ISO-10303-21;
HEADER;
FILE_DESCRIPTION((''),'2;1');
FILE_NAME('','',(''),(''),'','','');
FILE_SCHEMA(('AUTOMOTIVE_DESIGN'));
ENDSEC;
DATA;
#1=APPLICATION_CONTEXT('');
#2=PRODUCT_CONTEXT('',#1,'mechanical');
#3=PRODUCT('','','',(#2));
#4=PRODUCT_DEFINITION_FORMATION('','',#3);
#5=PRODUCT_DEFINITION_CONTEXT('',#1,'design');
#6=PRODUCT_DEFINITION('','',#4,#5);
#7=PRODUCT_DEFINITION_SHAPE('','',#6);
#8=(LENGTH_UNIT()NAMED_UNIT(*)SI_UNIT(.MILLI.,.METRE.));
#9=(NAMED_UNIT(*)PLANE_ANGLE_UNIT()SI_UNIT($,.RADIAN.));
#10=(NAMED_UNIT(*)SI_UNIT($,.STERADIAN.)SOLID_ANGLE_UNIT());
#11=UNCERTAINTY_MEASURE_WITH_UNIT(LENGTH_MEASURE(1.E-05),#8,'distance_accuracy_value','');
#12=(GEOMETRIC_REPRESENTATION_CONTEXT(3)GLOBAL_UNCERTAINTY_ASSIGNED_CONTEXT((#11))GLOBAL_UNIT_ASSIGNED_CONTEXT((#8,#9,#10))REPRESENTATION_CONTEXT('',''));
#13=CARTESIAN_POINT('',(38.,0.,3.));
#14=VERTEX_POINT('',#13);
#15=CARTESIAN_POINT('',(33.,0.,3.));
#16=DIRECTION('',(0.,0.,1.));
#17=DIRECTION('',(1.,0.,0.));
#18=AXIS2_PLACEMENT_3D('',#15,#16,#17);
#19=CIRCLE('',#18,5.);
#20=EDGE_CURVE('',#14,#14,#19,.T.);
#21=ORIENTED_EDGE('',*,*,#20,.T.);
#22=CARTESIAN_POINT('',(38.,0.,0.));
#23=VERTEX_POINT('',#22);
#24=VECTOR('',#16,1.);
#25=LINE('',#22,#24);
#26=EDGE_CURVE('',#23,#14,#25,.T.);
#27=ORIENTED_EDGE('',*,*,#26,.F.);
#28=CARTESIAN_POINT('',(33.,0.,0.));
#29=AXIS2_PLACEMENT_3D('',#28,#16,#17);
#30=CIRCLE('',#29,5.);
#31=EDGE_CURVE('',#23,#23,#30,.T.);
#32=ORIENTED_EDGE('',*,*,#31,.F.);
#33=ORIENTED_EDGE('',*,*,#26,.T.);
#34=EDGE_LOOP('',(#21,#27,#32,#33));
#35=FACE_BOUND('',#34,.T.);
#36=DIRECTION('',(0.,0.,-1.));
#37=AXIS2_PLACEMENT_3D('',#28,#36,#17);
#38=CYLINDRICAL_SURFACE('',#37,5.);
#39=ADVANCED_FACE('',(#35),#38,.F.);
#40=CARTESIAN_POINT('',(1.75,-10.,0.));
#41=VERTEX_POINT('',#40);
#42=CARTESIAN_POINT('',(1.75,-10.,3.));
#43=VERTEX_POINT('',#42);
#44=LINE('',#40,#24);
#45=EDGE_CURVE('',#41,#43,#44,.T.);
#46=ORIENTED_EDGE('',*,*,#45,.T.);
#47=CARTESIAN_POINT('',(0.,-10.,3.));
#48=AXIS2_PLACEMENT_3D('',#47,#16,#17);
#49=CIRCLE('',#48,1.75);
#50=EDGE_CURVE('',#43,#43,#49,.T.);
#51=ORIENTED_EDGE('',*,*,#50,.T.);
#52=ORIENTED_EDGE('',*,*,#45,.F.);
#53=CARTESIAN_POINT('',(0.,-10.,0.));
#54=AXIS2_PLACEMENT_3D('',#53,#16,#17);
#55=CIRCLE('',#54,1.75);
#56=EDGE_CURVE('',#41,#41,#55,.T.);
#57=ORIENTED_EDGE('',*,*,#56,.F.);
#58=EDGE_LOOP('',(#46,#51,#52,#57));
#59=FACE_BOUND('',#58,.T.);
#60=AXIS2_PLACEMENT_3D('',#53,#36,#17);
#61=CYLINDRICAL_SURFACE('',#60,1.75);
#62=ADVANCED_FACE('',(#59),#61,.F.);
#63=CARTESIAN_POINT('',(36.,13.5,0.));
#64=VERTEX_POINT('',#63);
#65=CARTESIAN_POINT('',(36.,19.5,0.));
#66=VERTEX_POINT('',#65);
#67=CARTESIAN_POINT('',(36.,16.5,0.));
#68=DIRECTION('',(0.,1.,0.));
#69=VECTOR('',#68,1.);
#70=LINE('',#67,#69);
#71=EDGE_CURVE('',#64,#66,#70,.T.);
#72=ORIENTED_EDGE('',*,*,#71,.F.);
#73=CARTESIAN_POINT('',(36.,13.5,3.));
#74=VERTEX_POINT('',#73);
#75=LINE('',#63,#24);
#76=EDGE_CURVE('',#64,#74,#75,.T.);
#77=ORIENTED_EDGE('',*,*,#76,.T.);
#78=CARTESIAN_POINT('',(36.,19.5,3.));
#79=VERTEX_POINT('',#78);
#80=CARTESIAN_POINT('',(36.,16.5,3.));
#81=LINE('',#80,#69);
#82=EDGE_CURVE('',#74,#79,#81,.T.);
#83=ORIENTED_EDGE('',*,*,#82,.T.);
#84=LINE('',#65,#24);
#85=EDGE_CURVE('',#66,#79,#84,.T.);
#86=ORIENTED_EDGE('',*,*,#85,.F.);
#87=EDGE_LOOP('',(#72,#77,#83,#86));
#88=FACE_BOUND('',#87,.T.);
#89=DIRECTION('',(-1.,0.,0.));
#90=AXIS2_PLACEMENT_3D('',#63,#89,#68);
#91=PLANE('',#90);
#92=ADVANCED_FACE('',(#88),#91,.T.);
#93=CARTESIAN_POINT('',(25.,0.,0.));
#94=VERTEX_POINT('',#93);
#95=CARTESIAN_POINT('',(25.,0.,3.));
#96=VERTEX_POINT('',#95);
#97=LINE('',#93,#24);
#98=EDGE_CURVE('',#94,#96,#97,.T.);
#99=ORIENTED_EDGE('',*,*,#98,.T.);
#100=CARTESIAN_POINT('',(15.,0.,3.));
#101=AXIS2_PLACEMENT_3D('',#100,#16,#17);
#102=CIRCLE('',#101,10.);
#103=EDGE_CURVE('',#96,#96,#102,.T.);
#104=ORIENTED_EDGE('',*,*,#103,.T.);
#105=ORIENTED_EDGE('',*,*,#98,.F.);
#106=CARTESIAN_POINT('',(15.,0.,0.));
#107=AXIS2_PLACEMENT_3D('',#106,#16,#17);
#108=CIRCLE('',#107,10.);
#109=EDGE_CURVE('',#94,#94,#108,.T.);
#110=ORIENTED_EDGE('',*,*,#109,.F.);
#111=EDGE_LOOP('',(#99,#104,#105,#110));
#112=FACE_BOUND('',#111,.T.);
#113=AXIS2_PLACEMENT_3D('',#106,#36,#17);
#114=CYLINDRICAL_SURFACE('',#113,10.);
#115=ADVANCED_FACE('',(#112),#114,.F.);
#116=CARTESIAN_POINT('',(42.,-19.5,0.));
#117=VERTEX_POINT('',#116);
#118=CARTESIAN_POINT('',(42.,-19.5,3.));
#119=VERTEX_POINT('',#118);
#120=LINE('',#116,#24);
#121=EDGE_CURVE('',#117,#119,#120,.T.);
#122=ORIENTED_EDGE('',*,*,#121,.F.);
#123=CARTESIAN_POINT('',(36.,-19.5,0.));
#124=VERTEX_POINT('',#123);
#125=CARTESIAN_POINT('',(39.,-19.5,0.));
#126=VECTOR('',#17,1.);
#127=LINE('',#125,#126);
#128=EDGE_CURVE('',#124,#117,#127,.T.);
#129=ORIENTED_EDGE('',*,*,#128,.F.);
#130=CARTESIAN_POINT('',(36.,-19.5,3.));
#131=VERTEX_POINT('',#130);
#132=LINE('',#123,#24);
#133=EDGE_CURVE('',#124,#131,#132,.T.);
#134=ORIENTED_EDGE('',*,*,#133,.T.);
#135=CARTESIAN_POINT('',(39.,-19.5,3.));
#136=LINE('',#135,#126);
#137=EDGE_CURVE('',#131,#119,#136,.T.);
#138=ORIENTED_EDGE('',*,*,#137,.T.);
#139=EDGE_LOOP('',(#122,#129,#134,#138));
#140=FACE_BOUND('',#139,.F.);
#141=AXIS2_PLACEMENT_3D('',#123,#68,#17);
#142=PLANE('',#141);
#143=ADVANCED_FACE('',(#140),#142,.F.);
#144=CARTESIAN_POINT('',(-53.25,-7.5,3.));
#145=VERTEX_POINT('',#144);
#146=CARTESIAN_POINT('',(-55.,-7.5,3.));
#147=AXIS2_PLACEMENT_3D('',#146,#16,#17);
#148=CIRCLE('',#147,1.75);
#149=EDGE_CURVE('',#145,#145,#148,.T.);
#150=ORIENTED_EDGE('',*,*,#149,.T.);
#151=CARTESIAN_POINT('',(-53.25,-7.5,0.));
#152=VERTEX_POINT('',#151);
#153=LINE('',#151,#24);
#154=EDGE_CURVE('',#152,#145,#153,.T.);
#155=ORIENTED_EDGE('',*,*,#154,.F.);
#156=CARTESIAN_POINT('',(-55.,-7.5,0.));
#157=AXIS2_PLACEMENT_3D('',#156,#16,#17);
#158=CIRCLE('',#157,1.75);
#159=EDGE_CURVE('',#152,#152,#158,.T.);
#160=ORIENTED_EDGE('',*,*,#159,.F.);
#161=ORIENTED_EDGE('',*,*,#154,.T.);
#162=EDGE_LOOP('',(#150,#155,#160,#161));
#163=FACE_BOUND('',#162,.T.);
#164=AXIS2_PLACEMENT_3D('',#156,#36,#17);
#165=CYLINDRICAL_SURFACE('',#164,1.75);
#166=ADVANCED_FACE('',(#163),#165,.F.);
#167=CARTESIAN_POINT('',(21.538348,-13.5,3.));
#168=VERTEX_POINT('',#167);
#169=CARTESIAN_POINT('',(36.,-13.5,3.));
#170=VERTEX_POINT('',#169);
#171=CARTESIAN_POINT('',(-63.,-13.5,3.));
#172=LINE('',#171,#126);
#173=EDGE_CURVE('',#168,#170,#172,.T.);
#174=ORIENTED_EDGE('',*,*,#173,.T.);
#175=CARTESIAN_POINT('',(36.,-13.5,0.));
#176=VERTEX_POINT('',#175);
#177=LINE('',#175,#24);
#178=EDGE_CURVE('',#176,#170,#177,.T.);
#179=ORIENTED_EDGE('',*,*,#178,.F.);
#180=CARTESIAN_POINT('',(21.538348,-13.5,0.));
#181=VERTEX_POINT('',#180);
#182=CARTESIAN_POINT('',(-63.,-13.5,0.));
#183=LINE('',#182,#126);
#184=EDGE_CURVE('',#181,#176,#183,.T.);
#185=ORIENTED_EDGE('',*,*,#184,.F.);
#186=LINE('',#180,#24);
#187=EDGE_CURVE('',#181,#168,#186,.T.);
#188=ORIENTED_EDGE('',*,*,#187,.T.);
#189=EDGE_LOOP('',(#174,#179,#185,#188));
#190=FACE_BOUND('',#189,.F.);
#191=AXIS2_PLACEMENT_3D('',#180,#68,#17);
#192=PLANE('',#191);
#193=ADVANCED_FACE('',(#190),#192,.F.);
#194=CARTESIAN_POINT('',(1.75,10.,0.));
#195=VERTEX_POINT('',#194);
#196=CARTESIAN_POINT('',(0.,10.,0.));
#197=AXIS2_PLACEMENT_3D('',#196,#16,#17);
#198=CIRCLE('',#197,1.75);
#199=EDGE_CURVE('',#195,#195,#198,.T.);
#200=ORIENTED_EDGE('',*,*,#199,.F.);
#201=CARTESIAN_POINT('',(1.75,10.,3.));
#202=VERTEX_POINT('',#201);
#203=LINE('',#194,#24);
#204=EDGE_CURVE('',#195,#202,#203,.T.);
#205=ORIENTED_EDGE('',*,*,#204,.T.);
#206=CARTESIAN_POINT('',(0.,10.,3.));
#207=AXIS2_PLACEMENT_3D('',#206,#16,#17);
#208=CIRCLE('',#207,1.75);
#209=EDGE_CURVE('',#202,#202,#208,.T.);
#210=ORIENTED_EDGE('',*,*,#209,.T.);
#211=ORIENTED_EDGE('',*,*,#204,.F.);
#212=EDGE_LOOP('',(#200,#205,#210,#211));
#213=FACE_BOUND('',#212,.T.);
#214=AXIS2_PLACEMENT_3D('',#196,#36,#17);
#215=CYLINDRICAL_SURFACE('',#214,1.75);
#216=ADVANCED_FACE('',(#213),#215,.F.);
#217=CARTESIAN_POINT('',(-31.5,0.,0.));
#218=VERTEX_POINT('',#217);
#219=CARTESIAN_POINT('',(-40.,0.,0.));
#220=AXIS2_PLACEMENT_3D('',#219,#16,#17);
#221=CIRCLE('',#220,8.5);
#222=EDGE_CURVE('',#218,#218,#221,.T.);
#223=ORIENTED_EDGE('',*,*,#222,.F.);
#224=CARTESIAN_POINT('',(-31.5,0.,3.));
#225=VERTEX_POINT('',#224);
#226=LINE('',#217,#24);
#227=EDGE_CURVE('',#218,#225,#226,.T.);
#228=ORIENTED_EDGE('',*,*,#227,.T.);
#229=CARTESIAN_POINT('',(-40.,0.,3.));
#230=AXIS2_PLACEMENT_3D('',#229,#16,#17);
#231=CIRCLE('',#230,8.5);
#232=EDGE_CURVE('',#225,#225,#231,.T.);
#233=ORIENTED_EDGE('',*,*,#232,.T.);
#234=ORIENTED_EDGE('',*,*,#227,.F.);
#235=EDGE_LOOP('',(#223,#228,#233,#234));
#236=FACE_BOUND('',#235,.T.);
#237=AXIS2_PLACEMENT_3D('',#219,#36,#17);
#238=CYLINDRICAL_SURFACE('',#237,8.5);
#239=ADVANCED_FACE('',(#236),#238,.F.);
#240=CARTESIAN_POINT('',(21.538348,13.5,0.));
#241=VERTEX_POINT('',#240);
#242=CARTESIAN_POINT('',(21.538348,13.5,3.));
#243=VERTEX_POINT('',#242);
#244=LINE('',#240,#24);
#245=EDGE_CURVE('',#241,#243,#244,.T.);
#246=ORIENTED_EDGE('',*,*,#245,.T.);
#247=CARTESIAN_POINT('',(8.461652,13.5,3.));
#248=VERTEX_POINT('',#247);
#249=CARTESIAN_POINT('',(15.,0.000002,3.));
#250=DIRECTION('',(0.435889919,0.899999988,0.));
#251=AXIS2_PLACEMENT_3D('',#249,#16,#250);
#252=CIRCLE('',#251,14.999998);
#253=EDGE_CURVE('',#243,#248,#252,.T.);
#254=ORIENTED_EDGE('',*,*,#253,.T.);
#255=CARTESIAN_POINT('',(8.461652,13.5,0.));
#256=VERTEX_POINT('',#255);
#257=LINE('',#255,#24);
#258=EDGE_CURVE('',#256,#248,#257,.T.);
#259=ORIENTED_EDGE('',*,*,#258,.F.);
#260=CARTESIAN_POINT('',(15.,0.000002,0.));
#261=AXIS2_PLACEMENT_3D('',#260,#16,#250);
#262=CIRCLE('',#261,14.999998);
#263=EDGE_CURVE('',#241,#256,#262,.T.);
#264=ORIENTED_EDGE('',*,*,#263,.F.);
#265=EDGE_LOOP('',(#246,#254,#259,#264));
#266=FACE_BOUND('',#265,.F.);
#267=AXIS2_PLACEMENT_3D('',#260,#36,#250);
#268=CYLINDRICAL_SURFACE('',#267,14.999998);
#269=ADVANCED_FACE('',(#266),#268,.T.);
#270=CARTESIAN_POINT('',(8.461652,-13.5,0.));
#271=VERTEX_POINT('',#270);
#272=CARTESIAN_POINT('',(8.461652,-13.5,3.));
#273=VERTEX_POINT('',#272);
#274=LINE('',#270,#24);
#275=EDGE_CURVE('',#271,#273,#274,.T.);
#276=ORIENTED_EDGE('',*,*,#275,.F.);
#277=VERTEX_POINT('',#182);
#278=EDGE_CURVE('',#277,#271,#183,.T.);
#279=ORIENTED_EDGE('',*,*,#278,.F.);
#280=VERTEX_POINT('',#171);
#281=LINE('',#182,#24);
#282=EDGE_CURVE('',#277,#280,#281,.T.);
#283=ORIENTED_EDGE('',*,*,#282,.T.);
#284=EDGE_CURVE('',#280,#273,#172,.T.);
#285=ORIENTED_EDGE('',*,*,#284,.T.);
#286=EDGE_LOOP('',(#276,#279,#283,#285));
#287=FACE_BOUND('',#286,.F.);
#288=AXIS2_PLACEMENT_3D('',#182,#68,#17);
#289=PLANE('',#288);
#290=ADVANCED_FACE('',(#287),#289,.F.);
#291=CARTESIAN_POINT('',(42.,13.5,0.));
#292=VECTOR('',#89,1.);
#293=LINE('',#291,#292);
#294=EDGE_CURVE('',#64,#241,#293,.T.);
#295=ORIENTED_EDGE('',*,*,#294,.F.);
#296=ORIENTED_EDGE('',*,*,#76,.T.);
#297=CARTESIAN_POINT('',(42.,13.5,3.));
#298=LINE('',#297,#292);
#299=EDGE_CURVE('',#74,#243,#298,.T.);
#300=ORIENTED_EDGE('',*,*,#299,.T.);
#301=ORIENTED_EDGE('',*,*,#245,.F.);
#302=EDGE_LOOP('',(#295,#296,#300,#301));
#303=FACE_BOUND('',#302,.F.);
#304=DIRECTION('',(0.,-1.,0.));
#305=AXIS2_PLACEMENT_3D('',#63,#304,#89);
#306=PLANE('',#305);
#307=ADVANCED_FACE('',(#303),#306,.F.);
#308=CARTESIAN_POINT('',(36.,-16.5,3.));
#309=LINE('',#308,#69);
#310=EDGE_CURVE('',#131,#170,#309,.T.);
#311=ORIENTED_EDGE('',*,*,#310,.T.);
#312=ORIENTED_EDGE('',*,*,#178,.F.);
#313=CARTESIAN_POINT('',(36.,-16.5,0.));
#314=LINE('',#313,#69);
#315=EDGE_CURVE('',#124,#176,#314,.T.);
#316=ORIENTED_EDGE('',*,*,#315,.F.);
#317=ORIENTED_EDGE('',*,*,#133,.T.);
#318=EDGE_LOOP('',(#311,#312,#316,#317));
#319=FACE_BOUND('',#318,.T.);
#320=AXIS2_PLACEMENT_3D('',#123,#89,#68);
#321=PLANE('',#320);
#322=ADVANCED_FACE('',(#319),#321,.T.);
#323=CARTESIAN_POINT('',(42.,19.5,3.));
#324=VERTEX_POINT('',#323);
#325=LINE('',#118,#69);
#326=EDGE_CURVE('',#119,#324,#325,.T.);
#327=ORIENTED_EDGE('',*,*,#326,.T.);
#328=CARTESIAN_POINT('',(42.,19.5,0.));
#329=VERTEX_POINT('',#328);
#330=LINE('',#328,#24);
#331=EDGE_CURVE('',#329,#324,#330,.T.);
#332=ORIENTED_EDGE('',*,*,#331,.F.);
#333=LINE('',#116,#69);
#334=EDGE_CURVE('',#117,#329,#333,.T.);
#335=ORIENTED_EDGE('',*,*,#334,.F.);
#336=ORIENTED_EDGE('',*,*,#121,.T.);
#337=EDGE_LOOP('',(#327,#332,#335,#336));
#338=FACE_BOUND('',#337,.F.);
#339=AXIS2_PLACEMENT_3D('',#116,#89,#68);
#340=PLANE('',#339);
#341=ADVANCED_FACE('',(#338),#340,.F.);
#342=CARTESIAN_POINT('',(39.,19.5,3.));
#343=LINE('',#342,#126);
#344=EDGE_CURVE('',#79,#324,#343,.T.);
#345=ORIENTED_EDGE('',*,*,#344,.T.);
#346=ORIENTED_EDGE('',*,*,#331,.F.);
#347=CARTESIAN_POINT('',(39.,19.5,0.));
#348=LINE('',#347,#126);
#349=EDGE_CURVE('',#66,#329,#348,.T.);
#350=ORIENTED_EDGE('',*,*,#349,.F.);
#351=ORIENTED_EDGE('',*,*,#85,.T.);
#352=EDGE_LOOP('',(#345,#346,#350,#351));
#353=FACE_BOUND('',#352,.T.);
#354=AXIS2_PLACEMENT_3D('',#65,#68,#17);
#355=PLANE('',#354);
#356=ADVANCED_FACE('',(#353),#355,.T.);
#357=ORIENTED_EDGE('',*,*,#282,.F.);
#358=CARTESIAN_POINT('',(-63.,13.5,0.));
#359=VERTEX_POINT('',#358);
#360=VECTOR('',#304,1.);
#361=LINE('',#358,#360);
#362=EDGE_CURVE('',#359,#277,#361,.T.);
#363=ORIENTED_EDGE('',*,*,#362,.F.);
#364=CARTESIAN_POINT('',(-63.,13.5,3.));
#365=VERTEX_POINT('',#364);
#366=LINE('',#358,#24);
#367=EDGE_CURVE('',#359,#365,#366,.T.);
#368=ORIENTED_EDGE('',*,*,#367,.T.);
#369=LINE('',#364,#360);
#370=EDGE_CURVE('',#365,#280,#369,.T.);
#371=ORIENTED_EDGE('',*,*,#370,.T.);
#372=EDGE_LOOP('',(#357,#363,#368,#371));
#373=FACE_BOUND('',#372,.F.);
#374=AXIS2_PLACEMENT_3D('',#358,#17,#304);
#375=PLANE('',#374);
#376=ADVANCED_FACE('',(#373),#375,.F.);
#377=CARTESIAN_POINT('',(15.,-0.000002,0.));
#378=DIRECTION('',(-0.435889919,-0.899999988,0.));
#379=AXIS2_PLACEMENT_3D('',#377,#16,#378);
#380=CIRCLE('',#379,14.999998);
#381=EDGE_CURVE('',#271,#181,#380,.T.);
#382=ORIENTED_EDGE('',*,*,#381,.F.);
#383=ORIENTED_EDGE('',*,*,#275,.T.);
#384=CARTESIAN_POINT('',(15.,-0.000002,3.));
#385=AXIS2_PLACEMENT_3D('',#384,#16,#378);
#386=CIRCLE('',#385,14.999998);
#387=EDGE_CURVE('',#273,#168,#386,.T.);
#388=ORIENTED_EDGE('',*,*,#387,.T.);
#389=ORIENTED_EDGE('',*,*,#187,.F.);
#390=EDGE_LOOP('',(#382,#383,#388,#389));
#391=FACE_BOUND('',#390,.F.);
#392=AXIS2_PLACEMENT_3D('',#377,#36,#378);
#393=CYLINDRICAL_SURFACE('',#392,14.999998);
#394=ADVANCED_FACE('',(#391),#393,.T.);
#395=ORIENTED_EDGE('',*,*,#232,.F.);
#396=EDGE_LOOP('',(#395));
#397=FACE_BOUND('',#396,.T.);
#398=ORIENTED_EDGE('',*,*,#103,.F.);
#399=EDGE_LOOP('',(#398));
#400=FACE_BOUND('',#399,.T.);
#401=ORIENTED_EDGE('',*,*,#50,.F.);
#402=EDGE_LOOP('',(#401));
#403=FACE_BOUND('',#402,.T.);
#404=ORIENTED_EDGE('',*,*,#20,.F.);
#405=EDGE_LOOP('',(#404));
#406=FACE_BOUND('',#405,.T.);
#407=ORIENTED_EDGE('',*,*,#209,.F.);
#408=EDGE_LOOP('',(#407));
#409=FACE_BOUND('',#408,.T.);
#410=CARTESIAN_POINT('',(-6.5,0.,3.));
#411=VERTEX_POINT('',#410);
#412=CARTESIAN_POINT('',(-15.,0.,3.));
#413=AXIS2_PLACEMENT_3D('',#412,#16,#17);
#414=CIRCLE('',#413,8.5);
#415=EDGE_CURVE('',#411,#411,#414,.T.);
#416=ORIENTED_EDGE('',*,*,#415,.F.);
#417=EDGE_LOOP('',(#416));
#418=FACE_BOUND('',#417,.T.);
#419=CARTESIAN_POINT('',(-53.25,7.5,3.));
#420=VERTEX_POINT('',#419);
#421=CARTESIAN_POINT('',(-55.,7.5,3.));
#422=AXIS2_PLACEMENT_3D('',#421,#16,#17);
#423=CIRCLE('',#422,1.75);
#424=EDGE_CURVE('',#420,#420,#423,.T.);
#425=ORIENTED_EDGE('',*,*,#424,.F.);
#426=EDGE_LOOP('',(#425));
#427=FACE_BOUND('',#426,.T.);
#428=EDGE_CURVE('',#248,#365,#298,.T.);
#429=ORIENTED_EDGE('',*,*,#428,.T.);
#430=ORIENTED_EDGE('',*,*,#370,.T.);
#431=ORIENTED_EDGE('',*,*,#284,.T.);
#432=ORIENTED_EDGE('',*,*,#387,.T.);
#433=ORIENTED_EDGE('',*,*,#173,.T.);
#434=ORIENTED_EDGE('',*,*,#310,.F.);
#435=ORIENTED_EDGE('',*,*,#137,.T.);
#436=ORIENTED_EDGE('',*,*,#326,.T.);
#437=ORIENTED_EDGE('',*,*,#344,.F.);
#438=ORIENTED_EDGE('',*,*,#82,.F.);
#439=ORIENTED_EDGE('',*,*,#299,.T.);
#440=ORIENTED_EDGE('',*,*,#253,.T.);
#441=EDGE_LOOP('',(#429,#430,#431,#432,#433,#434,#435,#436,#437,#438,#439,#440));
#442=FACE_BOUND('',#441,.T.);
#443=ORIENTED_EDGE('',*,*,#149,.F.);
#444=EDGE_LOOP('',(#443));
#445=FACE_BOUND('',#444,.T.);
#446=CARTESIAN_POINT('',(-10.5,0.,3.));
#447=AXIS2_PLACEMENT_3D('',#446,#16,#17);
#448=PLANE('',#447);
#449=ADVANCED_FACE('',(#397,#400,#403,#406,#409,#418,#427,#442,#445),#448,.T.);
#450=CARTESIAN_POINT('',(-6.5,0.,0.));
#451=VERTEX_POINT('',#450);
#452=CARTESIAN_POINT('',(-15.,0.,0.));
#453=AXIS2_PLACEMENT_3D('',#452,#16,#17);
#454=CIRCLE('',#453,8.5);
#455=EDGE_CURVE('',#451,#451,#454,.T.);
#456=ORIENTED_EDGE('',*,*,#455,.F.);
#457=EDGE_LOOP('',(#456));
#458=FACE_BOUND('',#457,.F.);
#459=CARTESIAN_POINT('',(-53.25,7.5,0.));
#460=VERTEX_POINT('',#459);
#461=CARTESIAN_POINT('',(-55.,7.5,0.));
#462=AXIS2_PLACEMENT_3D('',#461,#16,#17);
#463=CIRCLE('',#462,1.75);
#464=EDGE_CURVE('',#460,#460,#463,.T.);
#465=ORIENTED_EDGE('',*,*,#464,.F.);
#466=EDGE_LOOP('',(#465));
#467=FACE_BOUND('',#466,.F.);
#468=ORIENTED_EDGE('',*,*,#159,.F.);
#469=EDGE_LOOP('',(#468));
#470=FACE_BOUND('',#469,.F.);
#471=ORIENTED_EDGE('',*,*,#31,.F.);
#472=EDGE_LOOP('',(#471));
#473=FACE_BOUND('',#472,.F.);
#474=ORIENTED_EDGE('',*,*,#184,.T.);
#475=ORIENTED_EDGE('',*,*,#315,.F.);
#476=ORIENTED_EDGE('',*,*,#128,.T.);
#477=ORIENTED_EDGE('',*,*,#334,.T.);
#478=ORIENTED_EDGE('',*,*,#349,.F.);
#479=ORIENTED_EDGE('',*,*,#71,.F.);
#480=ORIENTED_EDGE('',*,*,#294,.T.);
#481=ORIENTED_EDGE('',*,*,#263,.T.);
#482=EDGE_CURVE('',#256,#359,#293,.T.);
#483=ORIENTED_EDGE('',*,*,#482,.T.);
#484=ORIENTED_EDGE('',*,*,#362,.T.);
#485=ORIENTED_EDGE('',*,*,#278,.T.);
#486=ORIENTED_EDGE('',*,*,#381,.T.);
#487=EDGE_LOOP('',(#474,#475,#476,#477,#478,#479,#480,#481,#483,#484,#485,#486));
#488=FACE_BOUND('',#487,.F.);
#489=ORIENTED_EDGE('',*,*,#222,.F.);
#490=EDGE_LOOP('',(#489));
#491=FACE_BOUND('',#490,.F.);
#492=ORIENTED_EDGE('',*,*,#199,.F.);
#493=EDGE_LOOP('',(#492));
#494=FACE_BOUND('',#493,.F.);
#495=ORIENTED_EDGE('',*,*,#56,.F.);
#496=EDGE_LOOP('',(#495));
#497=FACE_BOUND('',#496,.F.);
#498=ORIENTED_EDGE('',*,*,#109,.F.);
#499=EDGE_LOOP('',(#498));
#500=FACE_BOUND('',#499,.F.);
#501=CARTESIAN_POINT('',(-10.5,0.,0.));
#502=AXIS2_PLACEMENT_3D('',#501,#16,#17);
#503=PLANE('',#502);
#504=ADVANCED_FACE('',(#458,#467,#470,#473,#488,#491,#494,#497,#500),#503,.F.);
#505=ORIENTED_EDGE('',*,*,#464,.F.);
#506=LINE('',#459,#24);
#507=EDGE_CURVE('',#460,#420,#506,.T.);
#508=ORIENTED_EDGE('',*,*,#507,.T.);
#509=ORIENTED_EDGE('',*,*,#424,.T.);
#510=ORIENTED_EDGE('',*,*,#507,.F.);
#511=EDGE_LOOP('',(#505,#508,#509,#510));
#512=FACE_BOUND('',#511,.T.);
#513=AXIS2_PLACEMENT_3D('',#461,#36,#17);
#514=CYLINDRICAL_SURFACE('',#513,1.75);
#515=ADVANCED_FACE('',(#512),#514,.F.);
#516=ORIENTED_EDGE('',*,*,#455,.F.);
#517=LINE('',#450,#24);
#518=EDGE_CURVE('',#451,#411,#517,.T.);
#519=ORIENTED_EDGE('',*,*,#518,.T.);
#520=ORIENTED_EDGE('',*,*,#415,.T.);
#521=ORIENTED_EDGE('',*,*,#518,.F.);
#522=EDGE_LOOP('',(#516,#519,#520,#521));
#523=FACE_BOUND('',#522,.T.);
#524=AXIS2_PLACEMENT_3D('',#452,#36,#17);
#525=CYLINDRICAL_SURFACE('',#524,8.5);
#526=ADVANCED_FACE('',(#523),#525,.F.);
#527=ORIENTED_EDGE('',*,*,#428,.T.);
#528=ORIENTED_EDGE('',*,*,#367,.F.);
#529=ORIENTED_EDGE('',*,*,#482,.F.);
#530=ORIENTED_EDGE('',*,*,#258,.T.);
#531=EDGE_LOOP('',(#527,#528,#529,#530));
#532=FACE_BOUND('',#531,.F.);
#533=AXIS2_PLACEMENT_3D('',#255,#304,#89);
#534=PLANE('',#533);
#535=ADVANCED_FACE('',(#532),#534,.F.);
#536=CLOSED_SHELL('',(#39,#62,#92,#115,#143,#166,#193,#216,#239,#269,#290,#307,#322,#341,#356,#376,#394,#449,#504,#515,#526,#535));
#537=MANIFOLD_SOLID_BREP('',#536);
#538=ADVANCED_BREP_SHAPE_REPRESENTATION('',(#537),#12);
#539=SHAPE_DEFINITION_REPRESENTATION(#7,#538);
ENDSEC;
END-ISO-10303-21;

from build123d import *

# Parameters (mm, degrees)
F0_R     = 1.75
F0_R_2   = 8.5
F0_R_3   = 10
F0_R_4   = 5
F0_W     = 6
F0_H     = 6
F1_DEPTH = 3


with BuildPart() as f1:
    # F0 (on Top) → F1 (new body)
    with BuildSketch(Plane.XY):
        Polygon((42, -13.5), (42, 13.5), (36, 13.5), (21.538348, 13.5), (8.461652, 13.5), (-63, 13.5), (-63, -13.5), (8.461652, -13.5), (21.538348, -13.5), (36, -13.5), align=None)
        with Locations((-55, -7.5)):
            Circle(F0_R, mode=Mode.SUBTRACT)
        with Locations((0, -10)):
            Circle(F0_R, mode=Mode.SUBTRACT)
        with Locations((-40, 0)):
            Circle(F0_R_2, mode=Mode.SUBTRACT)
        with Locations((-55, 7.5)):
            Circle(F0_R, mode=Mode.SUBTRACT)
        with Locations((-15, 0)):
            Circle(F0_R_2, mode=Mode.SUBTRACT)
        with Locations((15, 0)):
            Circle(F0_R_3, mode=Mode.SUBTRACT)
        with Locations((33, 0)):
            Circle(F0_R_4, mode=Mode.SUBTRACT)
        with Locations((0, 10)):
            Circle(F0_R, mode=Mode.SUBTRACT)
        with Locations((39, -16.5)):
            Rectangle(F0_W, F0_H)
        with Locations((39, 16.5)):
            Rectangle(F0_W, F0_H)
        with BuildLine():
            Line((8.461652, 13.5), (21.538348, 13.5))
            ThreePointArc((21.538348, 13.5), (15, 15), (8.461652, 13.5))
        make_face()
        with BuildLine():
            ThreePointArc((8.461652, -13.5), (15, -15), (21.538348, -13.5))
            Line((21.538348, -13.5), (8.461652, -13.5))
        make_face()
    extrude(amount=F1_DEPTH)


solid = f1.part
